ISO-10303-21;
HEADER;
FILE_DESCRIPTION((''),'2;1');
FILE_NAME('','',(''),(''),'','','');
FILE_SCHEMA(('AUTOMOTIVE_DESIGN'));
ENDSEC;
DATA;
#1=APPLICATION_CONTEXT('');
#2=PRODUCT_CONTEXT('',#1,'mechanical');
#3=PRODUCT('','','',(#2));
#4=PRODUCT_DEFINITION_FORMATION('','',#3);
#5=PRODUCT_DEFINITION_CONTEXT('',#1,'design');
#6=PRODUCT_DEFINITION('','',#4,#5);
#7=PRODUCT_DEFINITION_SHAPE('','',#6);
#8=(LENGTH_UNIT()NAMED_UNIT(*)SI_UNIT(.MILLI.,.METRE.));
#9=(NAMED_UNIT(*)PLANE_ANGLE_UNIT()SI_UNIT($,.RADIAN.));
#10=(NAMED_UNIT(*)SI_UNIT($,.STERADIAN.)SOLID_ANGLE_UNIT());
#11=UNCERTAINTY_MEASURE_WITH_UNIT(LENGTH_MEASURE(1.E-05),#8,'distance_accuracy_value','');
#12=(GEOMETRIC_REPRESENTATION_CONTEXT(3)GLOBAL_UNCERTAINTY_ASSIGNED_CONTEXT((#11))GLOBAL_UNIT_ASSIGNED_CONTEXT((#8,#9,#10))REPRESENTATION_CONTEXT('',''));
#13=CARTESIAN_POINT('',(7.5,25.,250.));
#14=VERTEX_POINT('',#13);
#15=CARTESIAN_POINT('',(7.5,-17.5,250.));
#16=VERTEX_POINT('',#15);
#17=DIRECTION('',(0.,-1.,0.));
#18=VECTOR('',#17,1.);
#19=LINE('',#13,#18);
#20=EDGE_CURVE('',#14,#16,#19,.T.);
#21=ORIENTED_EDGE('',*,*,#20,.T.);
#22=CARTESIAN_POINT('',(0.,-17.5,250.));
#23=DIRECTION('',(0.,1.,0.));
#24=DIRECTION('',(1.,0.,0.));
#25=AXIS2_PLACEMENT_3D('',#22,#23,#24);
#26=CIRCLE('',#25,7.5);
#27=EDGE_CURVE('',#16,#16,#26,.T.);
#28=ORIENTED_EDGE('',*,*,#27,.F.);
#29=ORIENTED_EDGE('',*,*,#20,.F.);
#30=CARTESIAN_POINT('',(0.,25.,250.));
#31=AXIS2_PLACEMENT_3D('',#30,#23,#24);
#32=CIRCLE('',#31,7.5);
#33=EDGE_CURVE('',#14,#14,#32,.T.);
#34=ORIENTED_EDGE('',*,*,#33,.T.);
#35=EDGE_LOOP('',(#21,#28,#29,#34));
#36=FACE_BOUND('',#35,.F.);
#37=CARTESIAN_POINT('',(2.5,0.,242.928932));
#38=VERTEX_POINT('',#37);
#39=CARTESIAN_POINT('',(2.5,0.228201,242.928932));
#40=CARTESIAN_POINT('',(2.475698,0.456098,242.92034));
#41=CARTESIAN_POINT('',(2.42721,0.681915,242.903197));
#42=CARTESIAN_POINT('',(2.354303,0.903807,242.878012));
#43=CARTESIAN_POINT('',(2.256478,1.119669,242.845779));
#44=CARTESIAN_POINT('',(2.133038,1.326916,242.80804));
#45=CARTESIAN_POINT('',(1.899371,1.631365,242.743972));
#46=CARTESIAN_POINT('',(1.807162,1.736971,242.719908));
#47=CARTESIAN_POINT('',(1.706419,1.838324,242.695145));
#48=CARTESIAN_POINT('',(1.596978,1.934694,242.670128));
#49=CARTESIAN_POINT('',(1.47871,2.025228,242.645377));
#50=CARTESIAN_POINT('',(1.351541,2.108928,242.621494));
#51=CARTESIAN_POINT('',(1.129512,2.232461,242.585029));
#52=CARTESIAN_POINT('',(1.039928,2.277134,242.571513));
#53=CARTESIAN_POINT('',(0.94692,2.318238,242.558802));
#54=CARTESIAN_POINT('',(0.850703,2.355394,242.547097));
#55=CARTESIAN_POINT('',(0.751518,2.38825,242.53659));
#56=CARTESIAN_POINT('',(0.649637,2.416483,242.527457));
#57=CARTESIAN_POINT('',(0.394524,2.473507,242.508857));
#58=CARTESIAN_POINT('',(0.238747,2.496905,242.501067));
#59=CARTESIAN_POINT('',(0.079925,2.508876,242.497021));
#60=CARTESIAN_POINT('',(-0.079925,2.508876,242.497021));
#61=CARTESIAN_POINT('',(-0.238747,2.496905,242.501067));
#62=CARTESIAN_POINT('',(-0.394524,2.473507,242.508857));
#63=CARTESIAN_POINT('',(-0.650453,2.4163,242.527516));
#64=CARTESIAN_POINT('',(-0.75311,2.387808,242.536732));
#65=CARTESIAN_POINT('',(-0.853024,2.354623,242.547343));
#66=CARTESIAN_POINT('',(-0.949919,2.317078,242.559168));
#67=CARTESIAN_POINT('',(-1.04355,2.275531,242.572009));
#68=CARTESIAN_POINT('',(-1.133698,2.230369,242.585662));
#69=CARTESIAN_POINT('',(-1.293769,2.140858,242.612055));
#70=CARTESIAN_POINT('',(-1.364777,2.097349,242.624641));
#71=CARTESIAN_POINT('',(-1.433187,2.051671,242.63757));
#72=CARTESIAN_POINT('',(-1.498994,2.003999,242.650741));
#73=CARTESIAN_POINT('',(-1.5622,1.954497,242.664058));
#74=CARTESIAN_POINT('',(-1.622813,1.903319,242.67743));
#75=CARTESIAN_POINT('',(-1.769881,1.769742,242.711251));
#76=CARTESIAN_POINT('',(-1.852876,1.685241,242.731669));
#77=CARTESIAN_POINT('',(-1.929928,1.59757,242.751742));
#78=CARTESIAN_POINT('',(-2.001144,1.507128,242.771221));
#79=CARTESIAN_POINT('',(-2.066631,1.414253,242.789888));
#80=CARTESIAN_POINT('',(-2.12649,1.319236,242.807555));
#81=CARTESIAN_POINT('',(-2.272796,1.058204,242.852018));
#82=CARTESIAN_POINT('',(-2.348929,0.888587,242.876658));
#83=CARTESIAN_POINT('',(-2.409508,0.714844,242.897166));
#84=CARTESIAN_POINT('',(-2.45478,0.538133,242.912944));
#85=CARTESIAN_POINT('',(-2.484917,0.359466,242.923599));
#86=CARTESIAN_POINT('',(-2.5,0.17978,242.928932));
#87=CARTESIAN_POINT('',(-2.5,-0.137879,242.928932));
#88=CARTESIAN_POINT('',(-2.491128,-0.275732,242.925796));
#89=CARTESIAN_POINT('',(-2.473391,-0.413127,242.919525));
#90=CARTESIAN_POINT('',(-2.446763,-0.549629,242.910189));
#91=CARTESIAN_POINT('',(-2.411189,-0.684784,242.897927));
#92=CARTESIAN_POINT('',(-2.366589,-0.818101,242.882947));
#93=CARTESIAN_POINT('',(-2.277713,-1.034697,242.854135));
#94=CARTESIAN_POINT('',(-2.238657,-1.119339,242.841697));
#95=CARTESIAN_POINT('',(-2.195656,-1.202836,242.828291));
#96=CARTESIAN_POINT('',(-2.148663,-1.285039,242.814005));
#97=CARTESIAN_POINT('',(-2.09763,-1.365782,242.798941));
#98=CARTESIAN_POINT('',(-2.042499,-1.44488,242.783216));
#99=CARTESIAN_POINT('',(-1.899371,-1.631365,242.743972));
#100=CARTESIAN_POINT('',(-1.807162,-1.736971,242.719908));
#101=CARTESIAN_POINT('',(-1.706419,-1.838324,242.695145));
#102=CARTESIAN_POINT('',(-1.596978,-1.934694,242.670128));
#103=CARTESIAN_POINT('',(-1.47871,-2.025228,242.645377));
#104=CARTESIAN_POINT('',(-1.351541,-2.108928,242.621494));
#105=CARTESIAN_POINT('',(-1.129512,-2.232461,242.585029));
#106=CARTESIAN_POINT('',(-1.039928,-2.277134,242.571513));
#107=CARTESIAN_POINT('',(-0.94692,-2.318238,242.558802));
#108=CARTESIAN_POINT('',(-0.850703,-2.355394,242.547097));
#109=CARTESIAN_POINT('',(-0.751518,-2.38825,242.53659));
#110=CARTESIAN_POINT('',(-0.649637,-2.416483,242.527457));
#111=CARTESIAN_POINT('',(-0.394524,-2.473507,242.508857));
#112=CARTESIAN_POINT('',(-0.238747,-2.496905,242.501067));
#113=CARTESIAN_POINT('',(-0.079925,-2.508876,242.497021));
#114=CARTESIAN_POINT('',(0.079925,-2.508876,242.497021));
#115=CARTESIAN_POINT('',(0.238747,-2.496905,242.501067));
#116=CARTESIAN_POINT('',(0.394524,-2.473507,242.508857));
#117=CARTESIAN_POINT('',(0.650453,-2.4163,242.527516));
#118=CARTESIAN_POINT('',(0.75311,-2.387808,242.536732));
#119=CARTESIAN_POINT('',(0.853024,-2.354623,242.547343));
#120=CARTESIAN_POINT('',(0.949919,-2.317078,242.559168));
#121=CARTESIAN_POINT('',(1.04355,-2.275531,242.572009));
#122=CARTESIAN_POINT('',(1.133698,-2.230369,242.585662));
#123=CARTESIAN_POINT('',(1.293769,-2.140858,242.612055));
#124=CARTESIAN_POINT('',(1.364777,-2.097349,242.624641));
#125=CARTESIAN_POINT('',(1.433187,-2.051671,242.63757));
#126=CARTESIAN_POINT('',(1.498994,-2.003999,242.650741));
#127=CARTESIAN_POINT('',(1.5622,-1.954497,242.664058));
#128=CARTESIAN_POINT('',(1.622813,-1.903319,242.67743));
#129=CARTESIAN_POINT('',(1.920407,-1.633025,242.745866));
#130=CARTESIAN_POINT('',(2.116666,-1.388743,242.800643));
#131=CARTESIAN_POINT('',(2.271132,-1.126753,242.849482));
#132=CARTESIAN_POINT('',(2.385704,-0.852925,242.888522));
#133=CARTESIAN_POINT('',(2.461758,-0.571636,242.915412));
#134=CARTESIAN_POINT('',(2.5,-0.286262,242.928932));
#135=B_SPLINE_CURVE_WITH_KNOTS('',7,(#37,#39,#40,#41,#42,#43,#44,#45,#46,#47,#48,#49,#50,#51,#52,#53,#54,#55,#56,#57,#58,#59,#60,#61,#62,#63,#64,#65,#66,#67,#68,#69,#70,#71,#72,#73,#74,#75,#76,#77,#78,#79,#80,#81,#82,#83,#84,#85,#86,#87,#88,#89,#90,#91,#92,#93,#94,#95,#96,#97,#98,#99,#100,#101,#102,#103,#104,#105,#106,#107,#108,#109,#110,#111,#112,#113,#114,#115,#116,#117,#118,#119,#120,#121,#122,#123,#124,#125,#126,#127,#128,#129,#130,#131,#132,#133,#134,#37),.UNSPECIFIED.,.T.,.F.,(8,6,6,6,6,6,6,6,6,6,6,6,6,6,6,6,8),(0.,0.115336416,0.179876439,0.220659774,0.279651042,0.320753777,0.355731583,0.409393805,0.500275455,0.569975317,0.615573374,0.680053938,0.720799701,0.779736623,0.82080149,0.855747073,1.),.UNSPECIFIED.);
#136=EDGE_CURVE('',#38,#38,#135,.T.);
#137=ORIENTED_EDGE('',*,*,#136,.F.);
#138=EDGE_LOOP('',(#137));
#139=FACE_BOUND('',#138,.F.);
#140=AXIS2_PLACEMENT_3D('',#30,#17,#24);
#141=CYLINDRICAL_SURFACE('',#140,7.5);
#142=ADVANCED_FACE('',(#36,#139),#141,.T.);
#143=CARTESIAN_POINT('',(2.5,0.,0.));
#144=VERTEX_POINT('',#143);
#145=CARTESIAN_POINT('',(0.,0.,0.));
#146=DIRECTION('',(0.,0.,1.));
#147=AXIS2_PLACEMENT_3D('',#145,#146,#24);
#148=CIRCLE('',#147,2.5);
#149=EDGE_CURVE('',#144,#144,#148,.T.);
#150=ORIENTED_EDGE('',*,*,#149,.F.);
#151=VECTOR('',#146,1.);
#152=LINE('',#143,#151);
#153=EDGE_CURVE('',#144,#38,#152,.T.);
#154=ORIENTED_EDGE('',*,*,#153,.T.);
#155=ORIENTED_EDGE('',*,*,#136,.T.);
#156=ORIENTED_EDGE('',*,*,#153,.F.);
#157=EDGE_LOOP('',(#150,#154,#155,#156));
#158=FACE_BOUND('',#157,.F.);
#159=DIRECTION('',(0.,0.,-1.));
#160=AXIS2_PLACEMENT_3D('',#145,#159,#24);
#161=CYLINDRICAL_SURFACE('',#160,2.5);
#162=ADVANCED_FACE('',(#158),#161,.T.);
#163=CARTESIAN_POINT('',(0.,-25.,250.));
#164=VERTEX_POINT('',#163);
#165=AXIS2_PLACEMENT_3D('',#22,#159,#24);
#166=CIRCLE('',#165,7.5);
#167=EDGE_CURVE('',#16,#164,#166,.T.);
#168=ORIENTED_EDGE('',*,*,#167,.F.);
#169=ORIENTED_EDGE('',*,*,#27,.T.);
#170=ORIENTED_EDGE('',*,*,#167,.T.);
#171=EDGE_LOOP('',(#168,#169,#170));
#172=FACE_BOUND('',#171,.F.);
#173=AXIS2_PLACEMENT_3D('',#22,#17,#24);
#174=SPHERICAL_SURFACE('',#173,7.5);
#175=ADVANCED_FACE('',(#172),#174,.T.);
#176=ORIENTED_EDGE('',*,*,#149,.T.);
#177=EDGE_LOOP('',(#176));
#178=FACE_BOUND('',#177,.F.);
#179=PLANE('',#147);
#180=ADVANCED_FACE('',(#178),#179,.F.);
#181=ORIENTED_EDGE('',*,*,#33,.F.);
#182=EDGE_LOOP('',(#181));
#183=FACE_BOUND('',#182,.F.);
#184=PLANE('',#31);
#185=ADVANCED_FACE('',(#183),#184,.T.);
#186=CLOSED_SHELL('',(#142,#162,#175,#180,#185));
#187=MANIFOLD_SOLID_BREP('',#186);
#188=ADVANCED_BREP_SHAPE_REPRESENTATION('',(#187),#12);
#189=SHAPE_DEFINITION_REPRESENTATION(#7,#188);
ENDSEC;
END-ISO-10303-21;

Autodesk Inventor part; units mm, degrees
ref_plane "YZ Plane" through (0, 0, 0) normal (1, 0, 0) x (0, 1, 0)
ref_plane "XZ Plane" through (0, 0, 0) normal (0, 1, 0) x (-1, 0, 0)
ref_plane "XY Plane" through (0, 0, 0) normal (0, 0, 1) x (1, 0, 0)
sketch "Sketch1" plane through (0, 0, 0) normal (0, 0, 1) x (1, 0, 0)
  circle A0 centre (0, 0) radius 2.5
  dimension "d0" = 5
extrude "Extrusion1" add sketch "Sketch1" along normal blind 250
sketch "Sketch2" plane through (0, 0, 250) normal (0, 0, 1) x (1, 0, 0)
  circle A0 centre (0, 0) radius 2.5 projected
  line L0 (0, 0) -> (0, -25)
  line L1 (0, 0) -> (0, 25)
  line L2 (0, 25) -> (7.5, 25)
  line L3 (7.5, 25) -> (7.5, -25)
  line L4 (7.5, -25) -> (0, -25)
  point P0 (0, 0)
  dimension "d12" = 25
  dimension "d14" = 25
  dimension "d15" = 7.5
revolve "Revolution1" add sketch "Sketch2" angle 360 about axis through (0, 0, 250) along (0, 1, 0) picked at (1.6458, -0.1854) contours A0 L0 L1 | A0 L1 L2 L3 L4 L0
fillet "Fillet4" radius 7.5 1 edges at (-7.5, -25, 250)
properties part number "Threaded hammer"
